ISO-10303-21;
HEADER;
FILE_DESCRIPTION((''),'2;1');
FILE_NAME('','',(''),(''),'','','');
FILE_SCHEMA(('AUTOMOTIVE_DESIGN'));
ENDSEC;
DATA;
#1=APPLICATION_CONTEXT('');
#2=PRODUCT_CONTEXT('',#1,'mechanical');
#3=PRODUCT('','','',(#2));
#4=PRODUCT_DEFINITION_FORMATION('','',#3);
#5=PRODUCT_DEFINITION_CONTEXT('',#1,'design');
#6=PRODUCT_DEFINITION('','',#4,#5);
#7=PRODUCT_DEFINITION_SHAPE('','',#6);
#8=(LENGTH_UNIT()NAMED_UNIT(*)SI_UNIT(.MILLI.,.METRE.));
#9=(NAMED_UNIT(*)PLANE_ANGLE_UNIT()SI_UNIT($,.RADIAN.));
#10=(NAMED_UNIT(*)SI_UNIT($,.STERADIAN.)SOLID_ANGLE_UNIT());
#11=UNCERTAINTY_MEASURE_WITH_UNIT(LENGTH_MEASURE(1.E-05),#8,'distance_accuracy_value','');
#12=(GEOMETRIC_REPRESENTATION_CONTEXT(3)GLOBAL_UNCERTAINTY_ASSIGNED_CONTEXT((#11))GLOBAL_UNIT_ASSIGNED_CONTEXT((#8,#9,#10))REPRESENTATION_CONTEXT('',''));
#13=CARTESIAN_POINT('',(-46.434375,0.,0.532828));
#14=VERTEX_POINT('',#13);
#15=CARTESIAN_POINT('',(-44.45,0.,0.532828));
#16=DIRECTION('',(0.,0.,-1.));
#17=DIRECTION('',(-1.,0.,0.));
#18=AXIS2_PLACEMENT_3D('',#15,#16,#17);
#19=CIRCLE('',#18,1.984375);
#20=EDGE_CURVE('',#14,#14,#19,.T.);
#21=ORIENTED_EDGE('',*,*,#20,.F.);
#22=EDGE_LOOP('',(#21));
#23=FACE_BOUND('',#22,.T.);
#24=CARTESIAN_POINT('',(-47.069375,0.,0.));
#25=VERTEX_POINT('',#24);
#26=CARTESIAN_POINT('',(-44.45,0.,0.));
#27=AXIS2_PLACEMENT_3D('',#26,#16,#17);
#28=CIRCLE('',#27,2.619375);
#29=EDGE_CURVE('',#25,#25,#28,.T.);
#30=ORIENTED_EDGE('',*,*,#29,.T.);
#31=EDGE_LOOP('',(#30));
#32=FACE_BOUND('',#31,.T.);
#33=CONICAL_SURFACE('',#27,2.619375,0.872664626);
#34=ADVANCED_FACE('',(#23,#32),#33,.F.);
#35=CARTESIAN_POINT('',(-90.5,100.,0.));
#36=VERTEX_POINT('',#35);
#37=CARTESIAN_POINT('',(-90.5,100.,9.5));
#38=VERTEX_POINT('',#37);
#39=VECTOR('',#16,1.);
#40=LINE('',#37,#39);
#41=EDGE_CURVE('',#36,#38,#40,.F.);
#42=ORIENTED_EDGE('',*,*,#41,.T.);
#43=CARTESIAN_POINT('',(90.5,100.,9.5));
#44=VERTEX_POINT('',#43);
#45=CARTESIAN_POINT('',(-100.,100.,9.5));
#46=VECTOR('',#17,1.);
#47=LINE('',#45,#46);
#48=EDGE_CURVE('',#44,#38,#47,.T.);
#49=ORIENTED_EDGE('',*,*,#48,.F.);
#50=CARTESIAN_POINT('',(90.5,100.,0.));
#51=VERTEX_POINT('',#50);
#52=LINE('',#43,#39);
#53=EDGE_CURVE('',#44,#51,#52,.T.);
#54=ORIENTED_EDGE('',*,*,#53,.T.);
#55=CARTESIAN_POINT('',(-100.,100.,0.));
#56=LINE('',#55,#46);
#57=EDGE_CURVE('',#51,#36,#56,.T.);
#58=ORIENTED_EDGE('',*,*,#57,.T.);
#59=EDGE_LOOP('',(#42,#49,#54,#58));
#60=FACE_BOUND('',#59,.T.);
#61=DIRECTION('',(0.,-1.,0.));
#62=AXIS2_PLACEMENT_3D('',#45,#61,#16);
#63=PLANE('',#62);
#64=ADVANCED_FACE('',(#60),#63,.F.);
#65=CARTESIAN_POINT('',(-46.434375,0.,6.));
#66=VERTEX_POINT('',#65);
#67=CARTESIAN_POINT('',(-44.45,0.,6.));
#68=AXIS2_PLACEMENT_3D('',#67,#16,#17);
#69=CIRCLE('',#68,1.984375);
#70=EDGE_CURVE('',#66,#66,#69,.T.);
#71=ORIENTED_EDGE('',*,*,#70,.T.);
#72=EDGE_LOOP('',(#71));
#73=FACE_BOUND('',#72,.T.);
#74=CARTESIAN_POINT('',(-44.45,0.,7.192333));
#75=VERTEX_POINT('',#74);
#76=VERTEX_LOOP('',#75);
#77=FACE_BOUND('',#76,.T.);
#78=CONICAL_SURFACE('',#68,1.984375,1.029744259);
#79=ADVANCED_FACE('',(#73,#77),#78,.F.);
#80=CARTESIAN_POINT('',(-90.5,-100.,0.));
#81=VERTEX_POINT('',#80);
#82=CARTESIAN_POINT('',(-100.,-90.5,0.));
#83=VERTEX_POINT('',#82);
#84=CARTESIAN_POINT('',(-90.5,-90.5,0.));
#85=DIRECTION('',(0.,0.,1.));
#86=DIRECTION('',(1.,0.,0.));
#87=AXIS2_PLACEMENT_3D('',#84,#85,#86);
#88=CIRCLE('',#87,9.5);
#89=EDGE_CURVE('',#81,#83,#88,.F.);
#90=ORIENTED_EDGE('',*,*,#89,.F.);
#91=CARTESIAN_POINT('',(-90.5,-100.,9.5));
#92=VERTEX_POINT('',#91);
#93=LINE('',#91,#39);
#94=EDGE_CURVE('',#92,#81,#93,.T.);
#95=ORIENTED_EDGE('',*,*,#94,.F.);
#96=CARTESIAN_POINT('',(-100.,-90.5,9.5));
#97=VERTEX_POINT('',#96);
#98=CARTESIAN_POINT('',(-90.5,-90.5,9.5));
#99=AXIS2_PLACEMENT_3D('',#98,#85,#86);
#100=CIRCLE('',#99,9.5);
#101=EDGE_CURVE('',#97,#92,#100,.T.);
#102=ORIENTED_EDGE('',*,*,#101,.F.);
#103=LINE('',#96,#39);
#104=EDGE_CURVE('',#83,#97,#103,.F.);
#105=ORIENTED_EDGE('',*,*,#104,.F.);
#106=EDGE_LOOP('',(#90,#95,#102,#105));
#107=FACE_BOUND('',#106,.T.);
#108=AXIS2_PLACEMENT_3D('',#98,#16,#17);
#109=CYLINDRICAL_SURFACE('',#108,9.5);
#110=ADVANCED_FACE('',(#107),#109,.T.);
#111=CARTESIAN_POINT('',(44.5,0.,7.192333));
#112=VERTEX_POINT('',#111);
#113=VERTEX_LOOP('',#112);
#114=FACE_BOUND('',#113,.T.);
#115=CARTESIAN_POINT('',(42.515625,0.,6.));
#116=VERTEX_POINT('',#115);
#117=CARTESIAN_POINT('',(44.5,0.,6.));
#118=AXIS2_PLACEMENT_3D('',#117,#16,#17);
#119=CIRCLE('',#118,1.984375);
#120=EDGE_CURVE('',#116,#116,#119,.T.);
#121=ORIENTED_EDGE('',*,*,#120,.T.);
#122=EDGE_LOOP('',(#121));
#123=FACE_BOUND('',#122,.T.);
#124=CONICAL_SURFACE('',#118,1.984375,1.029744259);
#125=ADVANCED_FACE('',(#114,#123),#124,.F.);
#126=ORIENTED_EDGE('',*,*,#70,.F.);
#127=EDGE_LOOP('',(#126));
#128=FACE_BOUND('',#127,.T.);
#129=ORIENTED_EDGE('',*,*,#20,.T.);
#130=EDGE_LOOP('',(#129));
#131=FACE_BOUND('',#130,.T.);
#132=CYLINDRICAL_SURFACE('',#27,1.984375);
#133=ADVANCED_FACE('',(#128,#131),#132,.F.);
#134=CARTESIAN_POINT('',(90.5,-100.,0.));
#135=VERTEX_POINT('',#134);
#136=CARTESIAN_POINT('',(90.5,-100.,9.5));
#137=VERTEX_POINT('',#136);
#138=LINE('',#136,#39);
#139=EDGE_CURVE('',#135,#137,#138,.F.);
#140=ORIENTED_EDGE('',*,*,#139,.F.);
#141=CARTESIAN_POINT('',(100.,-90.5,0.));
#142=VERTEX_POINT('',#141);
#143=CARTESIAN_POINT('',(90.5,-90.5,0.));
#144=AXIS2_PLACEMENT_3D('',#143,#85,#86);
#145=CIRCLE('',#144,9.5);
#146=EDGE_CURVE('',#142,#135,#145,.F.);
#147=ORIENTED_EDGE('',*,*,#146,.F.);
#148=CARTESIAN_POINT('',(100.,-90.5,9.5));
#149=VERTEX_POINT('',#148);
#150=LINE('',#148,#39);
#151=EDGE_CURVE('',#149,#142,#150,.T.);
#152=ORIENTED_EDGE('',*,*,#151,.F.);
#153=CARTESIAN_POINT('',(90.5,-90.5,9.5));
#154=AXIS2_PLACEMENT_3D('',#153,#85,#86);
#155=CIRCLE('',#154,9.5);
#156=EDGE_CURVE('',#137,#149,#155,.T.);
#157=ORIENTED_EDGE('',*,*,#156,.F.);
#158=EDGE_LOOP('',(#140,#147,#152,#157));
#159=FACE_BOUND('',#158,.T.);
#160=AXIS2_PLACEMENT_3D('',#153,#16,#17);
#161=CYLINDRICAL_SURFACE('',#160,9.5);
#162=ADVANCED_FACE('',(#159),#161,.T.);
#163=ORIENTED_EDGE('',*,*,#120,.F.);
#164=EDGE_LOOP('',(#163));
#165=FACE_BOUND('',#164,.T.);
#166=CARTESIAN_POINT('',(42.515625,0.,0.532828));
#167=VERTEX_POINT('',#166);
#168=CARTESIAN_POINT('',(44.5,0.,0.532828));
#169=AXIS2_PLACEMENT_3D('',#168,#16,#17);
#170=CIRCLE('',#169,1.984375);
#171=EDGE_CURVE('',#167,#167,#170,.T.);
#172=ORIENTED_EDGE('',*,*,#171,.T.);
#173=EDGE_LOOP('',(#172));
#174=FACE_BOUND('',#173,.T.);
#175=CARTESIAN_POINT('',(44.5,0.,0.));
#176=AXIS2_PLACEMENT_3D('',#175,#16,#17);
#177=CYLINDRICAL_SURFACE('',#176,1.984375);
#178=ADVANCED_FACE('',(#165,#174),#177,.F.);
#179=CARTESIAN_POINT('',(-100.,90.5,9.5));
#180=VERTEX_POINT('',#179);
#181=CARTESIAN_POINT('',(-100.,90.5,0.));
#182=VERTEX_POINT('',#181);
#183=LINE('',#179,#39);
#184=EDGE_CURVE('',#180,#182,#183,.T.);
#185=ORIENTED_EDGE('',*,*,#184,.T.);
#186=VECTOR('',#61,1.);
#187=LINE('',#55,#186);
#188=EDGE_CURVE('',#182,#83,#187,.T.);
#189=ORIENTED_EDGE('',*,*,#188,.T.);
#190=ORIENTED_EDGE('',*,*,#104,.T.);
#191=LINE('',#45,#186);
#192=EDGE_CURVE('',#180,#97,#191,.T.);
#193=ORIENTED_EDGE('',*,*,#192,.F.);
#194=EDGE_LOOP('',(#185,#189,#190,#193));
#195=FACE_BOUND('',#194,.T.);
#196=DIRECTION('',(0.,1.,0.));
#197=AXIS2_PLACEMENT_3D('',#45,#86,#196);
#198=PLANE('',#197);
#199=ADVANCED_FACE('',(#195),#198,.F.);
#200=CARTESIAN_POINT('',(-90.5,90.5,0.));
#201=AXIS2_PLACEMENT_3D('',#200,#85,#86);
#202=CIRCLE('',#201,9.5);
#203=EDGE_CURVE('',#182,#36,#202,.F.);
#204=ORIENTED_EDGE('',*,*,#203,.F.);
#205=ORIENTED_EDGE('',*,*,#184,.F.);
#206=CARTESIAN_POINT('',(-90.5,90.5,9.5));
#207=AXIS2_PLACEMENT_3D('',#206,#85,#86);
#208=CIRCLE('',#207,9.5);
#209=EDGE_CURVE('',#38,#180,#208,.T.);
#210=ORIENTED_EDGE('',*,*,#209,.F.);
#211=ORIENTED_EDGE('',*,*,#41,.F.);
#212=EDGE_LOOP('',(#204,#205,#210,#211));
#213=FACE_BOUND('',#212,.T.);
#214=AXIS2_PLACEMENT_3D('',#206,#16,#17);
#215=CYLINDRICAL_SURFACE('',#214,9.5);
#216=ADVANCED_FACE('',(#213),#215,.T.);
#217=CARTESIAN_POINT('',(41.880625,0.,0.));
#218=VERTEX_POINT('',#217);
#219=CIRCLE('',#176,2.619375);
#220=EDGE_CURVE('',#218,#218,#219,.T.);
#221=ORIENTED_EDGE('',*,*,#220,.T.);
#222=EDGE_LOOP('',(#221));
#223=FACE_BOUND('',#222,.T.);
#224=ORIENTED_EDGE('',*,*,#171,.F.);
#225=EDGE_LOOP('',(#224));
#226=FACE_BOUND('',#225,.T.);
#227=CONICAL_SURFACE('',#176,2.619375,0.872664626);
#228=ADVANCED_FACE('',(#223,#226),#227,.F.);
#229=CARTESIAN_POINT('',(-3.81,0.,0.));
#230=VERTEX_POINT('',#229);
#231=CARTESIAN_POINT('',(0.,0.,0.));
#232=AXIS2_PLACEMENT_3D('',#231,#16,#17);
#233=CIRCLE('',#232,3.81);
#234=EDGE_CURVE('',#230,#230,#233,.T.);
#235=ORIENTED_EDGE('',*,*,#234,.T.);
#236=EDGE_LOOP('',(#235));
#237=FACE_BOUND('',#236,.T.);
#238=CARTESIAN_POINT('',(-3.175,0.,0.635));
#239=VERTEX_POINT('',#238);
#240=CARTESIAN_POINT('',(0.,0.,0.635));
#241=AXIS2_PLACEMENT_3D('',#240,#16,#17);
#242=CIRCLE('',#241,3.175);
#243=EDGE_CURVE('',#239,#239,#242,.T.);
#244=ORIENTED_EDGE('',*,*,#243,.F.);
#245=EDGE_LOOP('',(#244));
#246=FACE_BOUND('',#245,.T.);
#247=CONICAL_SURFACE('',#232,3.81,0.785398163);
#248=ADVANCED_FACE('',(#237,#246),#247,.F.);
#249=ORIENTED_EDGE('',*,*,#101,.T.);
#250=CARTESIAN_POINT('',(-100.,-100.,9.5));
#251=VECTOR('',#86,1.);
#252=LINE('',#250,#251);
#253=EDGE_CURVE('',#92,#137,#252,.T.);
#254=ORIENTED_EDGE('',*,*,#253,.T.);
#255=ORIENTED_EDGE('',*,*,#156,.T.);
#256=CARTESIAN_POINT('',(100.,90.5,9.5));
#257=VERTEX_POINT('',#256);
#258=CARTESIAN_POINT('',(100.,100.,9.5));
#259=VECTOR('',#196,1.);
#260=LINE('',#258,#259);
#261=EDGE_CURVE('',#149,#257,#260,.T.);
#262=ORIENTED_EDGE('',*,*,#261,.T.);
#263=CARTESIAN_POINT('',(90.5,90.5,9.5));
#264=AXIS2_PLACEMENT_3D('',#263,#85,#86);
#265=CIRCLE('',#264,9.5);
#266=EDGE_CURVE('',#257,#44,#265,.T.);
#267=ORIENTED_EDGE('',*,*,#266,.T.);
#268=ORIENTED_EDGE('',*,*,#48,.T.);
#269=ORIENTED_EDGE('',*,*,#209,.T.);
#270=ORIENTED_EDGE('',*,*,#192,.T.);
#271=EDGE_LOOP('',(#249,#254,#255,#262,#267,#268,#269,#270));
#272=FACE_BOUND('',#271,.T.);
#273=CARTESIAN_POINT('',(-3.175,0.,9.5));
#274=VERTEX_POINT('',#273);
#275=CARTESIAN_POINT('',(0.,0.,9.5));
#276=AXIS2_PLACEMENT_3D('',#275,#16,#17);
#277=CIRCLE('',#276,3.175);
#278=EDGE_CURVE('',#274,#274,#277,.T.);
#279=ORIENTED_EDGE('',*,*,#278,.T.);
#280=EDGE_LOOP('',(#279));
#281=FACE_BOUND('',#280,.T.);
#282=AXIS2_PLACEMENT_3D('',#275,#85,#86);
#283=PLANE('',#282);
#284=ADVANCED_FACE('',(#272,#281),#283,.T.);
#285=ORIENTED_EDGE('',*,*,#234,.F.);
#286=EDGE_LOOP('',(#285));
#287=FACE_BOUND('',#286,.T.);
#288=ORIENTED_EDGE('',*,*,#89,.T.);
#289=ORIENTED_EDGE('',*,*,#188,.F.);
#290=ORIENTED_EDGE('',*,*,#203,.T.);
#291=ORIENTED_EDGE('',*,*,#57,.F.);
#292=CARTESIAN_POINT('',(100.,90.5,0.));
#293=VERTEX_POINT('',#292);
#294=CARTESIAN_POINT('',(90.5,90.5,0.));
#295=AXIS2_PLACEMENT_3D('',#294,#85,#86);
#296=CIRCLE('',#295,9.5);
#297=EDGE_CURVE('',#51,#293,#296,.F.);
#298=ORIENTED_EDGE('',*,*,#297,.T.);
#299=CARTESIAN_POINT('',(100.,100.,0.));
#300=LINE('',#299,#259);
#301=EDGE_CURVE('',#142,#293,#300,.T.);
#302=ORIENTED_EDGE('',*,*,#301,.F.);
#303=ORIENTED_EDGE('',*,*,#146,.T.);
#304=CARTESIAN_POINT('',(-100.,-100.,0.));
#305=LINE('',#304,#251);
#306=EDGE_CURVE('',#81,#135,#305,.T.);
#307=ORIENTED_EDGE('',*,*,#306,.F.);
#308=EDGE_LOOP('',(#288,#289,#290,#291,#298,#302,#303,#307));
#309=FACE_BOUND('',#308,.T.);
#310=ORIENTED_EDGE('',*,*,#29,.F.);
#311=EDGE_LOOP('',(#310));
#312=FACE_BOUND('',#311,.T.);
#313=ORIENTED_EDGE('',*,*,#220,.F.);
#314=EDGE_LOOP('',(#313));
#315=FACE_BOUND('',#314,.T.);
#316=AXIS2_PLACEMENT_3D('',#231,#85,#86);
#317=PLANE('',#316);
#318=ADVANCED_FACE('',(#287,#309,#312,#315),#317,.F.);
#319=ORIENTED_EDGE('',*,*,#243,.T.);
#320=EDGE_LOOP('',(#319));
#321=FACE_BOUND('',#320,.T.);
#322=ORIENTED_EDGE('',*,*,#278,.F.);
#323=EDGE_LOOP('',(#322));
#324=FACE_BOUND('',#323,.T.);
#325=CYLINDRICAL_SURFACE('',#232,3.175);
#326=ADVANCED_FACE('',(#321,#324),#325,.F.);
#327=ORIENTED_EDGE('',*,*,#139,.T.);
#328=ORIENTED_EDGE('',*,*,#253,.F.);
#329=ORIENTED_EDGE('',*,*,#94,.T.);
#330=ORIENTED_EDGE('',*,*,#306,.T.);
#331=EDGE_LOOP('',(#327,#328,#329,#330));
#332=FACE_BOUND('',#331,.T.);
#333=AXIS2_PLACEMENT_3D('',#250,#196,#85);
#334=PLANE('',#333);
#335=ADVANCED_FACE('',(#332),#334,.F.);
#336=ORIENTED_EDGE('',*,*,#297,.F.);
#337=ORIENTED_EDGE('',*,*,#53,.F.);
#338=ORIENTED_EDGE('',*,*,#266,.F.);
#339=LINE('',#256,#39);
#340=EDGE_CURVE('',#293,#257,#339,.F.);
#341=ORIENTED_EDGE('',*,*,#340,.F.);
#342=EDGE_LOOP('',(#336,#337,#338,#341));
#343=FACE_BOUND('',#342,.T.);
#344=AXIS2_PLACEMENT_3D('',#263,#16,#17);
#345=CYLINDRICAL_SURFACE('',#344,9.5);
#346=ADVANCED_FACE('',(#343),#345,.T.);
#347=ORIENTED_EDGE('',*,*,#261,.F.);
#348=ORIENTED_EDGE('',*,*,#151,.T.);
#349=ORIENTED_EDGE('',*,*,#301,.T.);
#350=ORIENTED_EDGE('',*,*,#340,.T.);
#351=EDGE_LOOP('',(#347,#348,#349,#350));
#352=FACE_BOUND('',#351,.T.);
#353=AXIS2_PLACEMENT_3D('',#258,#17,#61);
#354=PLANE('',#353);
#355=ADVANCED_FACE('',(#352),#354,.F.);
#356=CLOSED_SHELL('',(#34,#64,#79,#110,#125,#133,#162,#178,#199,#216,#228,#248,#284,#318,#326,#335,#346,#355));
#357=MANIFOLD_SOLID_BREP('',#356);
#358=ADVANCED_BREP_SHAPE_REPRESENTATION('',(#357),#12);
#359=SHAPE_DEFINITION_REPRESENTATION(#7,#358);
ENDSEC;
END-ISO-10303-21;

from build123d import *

# Parameters (mm, degrees)
BASEPLATE_W                      = 200
BASEPLATE_H                      = 200
BOSS_EXTRUDE1_DEPTH              = 9.5
FILLET1_R                        = 9.5
F_1_4_INCH_BOLT_HOLE_D           = 6.35
F_1_4_INCH_BOLT_HOLE_CSINK_D     = 7.62
F_1_4_INCH_BOLT_HOLE_CSINK_ANGLE = 90
F_5_32_DOWEL_HOLE_D              = 3.96875
F_5_32_DOWEL_HOLE_DEPTH          = 6
F_5_32_DOWEL_HOLE_CSINK_D        = 5.23875
F_5_32_DOWEL_HOLE_CSINK_ANGLE    = 100
F_5_32_DOWEL_HOLE_TIP            = 1.192332791


with BuildPart() as part:
    # Baseplate → Boss-Extrude1 (new body)
    with BuildSketch(Plane.XY):
        Rectangle(BASEPLATE_W, BASEPLATE_H)
    extrude(amount=BOSS_EXTRUDE1_DEPTH)

    # Fillet1
    fillet1_edges = [part.edges().sort_by_distance(p)[0] for p in [
        (100, -100, 4.75),
        (-100, -100, 4.75),
        (-100, 100, 4.75),
        (100, 100, 4.75),
    ]]
    fillet(fillet1_edges, radius=FILLET1_R)

    # 1/4 Inch Bolt Hole (through all)
    with Locations(Plane(origin=(0, 0, 0), x_dir=(-1, 0, 0), z_dir=(0, 0, -1))):
        with Locations((0, 0)):
            CounterSinkHole(F_1_4_INCH_BOLT_HOLE_D / 2, F_1_4_INCH_BOLT_HOLE_CSINK_D / 2, counter_sink_angle=F_1_4_INCH_BOLT_HOLE_CSINK_ANGLE)

    # 5/32 Dowel Hole
    with Locations(Plane(origin=(0, 0, 0), x_dir=(-1, 0, 0), z_dir=(0, 0, -1))):
        with Locations((-44.5, 0), (44.45, 0)):
            CounterSinkHole(F_5_32_DOWEL_HOLE_D / 2, F_5_32_DOWEL_HOLE_CSINK_D / 2, depth=F_5_32_DOWEL_HOLE_DEPTH, counter_sink_angle=F_5_32_DOWEL_HOLE_CSINK_ANGLE)
            with Locations((0, 0, -(F_5_32_DOWEL_HOLE_DEPTH + F_5_32_DOWEL_HOLE_TIP / 2))):  # 118° drill point
                Cone(0, F_5_32_DOWEL_HOLE_D / 2, F_5_32_DOWEL_HOLE_TIP, mode=Mode.SUBTRACT)


solid = part.part
